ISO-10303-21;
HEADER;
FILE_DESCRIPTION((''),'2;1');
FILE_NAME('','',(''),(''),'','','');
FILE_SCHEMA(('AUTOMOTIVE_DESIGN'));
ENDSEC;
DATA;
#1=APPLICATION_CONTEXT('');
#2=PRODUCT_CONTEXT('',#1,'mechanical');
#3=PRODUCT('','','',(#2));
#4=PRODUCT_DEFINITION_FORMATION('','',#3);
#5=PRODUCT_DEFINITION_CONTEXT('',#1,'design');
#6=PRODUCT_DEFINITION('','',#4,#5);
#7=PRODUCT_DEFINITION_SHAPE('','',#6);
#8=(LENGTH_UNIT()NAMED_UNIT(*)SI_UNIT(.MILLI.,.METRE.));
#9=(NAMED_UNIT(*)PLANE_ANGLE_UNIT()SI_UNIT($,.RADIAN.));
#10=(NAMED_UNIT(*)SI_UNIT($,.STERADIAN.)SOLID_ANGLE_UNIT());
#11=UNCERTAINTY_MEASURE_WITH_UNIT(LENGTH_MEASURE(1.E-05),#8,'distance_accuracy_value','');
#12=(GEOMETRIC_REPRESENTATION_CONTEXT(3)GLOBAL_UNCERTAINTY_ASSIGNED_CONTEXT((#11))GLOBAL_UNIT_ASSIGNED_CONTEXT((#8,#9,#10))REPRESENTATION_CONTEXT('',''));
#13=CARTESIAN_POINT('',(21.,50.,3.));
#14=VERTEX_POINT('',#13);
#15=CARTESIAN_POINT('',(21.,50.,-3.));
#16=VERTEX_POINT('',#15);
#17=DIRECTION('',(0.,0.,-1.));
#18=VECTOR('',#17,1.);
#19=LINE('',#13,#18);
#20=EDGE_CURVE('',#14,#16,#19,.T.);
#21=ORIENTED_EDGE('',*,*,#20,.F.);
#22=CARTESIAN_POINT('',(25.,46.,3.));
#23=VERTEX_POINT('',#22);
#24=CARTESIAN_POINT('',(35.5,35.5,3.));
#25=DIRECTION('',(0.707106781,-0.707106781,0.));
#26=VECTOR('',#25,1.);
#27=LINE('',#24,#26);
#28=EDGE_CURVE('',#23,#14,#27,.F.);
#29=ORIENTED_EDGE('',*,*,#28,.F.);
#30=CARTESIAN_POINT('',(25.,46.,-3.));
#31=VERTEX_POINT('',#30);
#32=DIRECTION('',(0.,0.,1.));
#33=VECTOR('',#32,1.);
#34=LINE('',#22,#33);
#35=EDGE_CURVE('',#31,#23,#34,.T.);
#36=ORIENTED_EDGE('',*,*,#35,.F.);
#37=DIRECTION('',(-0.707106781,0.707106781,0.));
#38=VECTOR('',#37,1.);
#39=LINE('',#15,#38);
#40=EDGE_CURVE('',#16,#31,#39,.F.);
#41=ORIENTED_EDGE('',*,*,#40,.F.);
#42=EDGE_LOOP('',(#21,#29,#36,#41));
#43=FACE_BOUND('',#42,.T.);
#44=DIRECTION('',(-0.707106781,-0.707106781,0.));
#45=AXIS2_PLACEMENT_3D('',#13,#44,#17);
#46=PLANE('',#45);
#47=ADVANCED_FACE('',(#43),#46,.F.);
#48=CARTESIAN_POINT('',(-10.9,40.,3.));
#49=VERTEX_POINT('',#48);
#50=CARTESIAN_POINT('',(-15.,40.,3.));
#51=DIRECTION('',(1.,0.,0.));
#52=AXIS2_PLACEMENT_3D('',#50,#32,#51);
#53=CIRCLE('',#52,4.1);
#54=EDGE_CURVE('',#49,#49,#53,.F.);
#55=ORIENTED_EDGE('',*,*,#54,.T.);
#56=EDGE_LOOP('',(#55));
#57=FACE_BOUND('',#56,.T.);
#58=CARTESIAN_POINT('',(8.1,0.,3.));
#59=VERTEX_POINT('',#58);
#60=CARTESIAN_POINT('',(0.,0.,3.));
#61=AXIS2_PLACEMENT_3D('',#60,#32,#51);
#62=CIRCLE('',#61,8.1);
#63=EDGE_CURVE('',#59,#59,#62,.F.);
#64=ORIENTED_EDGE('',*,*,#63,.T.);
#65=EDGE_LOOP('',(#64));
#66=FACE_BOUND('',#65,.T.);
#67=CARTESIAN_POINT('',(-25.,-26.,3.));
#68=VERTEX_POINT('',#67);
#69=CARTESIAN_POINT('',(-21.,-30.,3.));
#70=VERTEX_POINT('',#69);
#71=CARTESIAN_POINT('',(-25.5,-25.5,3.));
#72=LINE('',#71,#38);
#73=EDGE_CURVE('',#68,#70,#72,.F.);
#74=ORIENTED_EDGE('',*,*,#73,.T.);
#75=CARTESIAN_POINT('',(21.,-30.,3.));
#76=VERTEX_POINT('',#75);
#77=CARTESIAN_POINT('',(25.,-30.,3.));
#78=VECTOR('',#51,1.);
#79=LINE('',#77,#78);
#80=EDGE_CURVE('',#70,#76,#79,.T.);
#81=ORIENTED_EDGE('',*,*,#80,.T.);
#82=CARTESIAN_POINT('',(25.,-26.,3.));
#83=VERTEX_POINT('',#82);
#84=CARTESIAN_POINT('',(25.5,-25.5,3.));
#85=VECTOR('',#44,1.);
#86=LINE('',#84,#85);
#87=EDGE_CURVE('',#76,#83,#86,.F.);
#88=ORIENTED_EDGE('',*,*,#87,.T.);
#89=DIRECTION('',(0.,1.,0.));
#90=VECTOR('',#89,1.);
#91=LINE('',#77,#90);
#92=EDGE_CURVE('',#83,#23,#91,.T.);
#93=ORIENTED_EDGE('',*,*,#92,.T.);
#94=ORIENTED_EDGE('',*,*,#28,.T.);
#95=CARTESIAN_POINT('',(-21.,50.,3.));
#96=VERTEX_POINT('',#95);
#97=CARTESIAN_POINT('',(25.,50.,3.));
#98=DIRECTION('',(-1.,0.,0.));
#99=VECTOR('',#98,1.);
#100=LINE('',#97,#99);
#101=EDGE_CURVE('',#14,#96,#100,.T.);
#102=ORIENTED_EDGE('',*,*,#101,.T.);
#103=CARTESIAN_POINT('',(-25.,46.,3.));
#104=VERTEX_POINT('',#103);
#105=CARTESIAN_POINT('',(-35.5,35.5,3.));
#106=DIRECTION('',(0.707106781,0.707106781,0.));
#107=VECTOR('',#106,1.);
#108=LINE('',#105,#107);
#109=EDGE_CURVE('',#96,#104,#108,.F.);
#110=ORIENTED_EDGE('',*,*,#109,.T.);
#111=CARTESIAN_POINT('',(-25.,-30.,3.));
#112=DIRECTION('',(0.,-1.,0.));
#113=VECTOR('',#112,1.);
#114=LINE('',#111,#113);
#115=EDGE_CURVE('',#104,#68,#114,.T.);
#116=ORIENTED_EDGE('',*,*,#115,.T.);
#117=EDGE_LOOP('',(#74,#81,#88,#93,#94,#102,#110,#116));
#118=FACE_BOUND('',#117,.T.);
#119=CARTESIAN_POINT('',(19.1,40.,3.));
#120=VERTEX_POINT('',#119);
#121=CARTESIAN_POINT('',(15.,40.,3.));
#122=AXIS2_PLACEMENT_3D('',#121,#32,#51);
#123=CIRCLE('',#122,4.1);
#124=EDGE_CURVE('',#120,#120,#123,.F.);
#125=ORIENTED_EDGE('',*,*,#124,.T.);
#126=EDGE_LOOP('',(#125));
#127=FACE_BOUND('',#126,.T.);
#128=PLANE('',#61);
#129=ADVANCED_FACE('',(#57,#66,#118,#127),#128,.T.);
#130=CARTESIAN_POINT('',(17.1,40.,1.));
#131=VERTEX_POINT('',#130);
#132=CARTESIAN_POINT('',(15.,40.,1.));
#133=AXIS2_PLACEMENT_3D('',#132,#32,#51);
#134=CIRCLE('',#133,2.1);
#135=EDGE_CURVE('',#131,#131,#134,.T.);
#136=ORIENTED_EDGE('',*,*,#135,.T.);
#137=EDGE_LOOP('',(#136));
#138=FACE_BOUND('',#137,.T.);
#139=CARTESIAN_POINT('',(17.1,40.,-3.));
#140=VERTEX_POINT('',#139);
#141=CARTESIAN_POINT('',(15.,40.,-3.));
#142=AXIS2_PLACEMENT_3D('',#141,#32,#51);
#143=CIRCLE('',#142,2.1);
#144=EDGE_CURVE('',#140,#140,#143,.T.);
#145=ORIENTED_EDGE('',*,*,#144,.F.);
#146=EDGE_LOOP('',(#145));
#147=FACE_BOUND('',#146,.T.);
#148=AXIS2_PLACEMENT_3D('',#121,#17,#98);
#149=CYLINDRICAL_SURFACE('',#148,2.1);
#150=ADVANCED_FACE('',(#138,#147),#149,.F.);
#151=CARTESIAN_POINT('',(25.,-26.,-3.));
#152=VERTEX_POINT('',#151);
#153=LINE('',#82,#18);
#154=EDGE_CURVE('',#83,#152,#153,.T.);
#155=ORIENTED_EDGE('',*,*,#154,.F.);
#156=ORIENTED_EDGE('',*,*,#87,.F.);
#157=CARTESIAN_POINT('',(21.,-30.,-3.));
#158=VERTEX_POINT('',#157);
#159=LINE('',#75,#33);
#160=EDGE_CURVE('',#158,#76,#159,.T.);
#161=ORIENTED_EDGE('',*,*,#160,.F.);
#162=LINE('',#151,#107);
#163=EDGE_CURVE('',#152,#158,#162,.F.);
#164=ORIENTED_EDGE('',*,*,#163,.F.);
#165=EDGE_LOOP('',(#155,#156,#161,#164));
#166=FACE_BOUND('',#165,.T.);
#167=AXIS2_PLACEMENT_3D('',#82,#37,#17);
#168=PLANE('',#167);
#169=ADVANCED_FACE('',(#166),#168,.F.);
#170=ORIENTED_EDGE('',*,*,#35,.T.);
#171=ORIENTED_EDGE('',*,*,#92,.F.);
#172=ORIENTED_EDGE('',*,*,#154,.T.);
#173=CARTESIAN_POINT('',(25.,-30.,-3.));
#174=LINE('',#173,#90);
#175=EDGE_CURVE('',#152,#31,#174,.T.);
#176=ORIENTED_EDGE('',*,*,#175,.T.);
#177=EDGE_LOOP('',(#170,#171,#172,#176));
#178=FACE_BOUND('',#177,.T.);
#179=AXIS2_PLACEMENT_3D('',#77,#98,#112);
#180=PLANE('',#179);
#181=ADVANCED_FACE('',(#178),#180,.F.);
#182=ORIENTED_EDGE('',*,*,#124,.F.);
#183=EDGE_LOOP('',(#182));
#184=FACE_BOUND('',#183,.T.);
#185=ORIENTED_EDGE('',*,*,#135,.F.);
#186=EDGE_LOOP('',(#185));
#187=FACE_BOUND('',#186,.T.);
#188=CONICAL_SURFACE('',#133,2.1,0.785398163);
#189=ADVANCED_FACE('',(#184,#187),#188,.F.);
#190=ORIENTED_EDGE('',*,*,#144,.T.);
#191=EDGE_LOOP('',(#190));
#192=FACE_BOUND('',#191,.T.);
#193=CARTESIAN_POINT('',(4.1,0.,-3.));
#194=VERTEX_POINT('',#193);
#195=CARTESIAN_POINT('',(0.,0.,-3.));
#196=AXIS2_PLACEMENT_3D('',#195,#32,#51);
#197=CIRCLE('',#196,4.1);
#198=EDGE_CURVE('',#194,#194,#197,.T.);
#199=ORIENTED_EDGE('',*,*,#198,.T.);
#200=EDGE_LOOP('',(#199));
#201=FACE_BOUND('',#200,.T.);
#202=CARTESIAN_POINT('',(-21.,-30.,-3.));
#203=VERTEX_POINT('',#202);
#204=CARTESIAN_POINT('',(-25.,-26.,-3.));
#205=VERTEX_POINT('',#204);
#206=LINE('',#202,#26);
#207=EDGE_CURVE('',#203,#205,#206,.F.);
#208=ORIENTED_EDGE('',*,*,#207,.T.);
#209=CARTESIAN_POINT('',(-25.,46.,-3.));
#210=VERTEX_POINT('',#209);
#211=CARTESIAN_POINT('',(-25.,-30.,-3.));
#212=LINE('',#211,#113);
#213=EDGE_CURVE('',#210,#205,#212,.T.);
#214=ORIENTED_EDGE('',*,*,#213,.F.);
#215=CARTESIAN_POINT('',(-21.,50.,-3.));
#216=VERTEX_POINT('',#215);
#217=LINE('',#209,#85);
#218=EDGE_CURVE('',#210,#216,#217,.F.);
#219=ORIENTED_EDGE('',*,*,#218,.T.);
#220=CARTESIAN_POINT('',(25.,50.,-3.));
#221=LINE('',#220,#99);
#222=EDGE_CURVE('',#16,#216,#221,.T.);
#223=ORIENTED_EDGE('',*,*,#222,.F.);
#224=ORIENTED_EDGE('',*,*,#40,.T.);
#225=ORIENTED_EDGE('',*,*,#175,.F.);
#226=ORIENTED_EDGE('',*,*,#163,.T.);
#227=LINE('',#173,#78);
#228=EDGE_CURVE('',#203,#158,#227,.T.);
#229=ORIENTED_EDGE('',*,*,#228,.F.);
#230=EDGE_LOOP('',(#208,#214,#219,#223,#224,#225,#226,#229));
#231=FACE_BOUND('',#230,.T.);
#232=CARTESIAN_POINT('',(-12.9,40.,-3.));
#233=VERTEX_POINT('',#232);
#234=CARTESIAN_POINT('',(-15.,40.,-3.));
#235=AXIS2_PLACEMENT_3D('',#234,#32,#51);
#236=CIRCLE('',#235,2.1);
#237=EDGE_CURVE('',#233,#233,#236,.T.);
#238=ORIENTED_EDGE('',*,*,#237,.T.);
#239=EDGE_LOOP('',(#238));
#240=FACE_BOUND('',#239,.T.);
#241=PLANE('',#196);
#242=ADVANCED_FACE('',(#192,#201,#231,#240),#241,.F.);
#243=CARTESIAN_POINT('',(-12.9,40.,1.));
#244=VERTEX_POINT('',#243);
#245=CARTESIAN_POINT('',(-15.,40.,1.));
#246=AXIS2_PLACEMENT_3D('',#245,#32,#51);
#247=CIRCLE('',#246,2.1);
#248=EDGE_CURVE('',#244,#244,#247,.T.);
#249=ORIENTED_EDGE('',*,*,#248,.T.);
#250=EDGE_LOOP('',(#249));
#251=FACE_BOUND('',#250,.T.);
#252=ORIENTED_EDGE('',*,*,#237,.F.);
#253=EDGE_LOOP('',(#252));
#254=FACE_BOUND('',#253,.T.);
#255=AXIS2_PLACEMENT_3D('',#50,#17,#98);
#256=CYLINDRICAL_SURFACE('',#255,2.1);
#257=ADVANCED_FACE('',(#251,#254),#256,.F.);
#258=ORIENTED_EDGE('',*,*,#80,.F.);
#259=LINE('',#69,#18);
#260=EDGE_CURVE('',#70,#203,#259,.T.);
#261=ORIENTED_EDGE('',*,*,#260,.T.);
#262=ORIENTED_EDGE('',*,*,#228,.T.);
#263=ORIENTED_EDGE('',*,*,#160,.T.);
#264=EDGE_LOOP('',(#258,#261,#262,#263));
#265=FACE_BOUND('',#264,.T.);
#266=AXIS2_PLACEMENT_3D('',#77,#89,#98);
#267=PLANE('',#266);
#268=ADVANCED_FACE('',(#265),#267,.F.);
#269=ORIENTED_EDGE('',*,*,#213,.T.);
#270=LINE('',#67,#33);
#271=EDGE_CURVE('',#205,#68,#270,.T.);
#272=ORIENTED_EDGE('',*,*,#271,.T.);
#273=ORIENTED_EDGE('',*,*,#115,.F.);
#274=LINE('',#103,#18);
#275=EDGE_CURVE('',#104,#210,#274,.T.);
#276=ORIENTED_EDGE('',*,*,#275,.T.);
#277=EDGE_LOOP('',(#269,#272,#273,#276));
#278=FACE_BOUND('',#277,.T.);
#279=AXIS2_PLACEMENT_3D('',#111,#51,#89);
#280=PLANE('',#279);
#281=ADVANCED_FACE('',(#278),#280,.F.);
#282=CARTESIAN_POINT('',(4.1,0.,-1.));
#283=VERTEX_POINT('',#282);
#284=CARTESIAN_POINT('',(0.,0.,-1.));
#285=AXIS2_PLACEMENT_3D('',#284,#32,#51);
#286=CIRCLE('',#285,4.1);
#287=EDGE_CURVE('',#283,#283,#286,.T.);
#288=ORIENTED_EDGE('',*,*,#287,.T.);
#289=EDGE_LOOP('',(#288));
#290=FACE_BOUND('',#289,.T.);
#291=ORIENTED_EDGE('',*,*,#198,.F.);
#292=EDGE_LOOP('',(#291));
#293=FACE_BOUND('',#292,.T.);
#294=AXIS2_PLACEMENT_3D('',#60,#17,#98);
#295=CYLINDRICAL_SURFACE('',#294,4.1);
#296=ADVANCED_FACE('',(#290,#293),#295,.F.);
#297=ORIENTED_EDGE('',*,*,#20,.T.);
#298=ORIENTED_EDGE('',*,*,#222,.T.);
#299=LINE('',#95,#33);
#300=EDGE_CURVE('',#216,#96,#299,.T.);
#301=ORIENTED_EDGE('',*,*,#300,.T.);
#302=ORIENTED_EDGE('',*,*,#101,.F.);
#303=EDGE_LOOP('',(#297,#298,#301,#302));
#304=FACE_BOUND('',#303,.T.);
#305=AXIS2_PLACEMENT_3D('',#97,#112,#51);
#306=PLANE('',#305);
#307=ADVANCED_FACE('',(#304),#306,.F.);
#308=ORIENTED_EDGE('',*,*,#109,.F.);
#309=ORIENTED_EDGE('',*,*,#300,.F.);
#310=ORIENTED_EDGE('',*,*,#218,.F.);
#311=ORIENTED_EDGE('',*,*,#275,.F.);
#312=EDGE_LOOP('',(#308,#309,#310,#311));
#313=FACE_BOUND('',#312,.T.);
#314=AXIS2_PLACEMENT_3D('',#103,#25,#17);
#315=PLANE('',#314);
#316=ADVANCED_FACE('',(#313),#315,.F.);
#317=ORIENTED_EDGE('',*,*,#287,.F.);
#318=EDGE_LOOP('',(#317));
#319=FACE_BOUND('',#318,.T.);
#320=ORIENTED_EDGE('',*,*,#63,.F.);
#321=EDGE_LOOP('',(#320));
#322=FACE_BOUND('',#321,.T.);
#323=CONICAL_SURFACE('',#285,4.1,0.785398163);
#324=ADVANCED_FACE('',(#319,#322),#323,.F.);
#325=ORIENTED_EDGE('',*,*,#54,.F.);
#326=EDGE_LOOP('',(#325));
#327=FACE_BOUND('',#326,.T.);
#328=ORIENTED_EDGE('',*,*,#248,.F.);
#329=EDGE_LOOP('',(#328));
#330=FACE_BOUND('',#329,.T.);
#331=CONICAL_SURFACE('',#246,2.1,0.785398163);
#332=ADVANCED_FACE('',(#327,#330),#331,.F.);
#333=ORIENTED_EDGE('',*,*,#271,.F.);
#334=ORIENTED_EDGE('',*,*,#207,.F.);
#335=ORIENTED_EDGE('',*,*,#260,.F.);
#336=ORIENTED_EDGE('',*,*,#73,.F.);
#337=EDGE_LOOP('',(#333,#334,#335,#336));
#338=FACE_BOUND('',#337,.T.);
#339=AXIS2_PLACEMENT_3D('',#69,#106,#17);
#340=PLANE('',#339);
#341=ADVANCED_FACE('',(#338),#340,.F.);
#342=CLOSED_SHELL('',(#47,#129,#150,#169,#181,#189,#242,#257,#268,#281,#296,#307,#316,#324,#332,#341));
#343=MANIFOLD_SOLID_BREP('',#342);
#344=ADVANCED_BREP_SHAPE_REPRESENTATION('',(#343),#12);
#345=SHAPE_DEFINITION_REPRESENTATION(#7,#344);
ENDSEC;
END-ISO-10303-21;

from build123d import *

# Parameters (mm, degrees)
SKETCH_1_W      = 50
SKETCH_1_H      = 80
SKETCH_1_R      = 4.1
SKETCH_1_R_2    = 2.1
EXTRUDE_1_DEPTH = 3
CHAMFER_2_SIZE  = 4
CHAMFER_3_SIZE  = 2


with BuildPart() as part:
    # 草图1 → 凸台-拉伸1 (new, symmetric)
    with BuildSketch(Plane.XY):
        with Locations((0, 10)):
            Rectangle(SKETCH_1_W, SKETCH_1_H)
        Circle(SKETCH_1_R, mode=Mode.SUBTRACT)
        with Locations((-15, 40)):
            Circle(SKETCH_1_R_2, mode=Mode.SUBTRACT)
        with Locations((15, 40)):
            Circle(SKETCH_1_R_2, mode=Mode.SUBTRACT)
    extrude(amount=EXTRUDE_1_DEPTH, both=True)

    # 倒角2
    chamfer_2_edges = [part.edges().sort_by_distance(p)[0] for p in [
        (-4.1, 0, 3),
        (-25, 50, 0),
        (25, 50, 0),
        (25, -30, 0),
        (-25, -30, 0),
    ]]
    chamfer(chamfer_2_edges, length=CHAMFER_2_SIZE)

    # 倒角3
    chamfer_3_edges = [part.edges().sort_by_distance(p)[0] for p in [
        (-17.1, 40, 3),
        (12.9, 40, 3),
    ]]
    chamfer(chamfer_3_edges, length=CHAMFER_3_SIZE)


solid = part.part
